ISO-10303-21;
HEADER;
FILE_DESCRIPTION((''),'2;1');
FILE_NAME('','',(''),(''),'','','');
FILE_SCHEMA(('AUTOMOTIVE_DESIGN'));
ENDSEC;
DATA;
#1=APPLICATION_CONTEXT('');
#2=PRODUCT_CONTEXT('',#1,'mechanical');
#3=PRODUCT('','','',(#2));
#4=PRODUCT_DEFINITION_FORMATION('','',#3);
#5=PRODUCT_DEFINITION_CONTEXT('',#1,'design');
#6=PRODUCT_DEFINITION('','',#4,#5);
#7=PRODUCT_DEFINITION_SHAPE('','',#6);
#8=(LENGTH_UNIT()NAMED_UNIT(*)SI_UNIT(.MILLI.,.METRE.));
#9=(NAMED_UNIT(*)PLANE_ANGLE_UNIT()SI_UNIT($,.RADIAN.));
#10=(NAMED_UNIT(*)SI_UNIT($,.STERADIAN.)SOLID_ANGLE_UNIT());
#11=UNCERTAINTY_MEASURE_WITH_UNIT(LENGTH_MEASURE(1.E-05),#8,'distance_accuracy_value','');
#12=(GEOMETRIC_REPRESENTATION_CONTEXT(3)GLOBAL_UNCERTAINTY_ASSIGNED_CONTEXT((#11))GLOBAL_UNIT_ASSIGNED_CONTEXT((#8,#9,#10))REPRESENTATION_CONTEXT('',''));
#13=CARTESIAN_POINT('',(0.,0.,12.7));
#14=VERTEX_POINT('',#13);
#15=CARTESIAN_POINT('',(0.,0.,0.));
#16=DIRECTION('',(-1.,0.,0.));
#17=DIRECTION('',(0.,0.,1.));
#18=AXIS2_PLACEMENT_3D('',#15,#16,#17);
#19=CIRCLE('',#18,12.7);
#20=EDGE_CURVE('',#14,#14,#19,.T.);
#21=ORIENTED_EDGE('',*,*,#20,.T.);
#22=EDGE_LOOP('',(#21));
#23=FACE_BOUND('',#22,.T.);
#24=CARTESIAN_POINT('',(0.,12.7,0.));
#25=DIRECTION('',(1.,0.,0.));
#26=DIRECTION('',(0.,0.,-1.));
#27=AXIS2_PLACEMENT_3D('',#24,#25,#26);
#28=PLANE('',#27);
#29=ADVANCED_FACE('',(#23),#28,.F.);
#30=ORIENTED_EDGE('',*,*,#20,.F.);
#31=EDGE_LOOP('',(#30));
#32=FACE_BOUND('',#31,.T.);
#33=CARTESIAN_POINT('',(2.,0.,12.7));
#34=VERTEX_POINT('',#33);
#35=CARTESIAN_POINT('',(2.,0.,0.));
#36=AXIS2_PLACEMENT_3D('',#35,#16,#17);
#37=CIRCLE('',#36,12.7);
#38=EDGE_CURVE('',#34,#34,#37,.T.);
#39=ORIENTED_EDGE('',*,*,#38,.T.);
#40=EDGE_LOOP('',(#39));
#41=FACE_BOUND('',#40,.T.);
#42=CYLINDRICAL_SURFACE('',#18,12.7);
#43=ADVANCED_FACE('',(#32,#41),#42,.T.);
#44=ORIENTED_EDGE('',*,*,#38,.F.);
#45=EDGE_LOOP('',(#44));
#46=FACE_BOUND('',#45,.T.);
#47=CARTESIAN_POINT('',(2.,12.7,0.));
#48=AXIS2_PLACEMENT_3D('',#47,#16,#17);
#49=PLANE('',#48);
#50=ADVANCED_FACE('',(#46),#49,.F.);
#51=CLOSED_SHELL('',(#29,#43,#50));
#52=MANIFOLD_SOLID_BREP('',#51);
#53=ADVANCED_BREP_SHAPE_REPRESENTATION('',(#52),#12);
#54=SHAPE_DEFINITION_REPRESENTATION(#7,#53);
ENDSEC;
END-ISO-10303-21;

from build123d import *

# Parameters (mm, degrees)
SKETCH_1_W = 2
SKETCH_1_H = 12.7


with BuildPart() as part:
    # 草图1 → 旋转2 (revolve)
    with BuildSketch(Plane.XY, mode=Mode.PRIVATE) as revolve_2_sk:
        with Locations((1, 6.35)):
            Rectangle(SKETCH_1_W, SKETCH_1_H)
    revolve(revolve_2_sk.sketch.rotate(Axis((0, 0, 0), (1, 0, 0)), 90), axis=Axis((0, 0, 0), (1, 0, 0)))  # turned: the seam where the file's is


solid = part.part
